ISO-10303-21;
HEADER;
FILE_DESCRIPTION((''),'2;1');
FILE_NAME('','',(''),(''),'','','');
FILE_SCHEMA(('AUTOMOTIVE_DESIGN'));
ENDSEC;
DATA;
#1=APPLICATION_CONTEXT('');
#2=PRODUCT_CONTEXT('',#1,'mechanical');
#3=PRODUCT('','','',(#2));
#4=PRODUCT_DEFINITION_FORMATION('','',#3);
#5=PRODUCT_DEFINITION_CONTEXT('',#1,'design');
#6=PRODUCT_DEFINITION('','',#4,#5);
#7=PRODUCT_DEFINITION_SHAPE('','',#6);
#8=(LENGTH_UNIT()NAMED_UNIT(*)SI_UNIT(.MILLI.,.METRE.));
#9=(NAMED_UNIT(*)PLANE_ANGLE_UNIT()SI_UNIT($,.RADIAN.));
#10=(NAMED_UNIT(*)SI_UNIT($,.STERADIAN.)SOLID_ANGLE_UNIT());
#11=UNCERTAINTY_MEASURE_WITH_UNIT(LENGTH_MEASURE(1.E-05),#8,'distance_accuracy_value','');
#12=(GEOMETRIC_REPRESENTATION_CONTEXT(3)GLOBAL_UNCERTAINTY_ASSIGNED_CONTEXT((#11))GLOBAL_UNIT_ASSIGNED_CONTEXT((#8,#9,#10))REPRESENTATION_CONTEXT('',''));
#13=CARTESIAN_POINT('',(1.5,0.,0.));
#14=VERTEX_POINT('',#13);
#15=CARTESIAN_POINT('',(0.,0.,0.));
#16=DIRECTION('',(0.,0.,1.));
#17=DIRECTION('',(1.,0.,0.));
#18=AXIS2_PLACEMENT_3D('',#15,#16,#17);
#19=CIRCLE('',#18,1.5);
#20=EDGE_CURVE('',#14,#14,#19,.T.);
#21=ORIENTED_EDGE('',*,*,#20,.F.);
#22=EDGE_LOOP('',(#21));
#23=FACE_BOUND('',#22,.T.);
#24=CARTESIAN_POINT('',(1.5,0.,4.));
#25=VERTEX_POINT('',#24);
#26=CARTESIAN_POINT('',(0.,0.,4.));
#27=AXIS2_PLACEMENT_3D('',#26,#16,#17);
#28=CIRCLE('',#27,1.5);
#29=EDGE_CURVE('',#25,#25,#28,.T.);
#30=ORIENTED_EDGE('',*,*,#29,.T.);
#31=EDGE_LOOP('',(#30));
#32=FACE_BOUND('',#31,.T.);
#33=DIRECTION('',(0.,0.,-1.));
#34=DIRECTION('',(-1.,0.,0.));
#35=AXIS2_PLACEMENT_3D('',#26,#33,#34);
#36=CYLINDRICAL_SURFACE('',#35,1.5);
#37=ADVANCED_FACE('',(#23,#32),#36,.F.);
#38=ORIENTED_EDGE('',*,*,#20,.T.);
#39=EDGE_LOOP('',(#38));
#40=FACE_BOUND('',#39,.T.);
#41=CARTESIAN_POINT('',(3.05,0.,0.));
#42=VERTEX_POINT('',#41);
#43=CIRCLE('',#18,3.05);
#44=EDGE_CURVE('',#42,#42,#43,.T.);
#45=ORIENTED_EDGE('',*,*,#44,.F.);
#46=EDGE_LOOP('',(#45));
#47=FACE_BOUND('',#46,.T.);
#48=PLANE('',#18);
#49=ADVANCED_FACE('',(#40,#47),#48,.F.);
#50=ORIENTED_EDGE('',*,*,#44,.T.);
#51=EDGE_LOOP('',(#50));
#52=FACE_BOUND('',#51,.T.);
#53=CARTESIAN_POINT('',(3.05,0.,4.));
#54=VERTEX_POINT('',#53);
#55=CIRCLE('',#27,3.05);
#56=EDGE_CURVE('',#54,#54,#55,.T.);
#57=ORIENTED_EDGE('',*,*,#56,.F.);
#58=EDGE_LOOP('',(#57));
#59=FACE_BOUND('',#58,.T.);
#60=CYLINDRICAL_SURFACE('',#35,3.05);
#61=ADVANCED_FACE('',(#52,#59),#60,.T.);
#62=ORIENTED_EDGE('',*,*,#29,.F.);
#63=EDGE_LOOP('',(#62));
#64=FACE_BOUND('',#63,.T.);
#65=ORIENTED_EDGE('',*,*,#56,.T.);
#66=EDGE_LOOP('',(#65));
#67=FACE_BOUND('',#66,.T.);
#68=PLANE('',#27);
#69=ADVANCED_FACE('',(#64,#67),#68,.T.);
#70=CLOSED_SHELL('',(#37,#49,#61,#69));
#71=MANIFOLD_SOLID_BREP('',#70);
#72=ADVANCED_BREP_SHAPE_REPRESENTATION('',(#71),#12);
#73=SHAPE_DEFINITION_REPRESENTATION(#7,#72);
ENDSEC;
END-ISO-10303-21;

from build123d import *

# Parameters (mm, degrees)
CROQUIS1_R              = 3.05
CROQUIS1_R_2            = 1.5
SALIENTE_EXTRUIR1_DEPTH = 4


with BuildPart() as part:
    # Croquis1 → Saliente-Extruir1 (new body)
    with BuildSketch(Plane.XY):
        Circle(CROQUIS1_R)
        Circle(CROQUIS1_R_2, mode=Mode.SUBTRACT)
    extrude(amount=SALIENTE_EXTRUIR1_DEPTH)


solid = part.part
